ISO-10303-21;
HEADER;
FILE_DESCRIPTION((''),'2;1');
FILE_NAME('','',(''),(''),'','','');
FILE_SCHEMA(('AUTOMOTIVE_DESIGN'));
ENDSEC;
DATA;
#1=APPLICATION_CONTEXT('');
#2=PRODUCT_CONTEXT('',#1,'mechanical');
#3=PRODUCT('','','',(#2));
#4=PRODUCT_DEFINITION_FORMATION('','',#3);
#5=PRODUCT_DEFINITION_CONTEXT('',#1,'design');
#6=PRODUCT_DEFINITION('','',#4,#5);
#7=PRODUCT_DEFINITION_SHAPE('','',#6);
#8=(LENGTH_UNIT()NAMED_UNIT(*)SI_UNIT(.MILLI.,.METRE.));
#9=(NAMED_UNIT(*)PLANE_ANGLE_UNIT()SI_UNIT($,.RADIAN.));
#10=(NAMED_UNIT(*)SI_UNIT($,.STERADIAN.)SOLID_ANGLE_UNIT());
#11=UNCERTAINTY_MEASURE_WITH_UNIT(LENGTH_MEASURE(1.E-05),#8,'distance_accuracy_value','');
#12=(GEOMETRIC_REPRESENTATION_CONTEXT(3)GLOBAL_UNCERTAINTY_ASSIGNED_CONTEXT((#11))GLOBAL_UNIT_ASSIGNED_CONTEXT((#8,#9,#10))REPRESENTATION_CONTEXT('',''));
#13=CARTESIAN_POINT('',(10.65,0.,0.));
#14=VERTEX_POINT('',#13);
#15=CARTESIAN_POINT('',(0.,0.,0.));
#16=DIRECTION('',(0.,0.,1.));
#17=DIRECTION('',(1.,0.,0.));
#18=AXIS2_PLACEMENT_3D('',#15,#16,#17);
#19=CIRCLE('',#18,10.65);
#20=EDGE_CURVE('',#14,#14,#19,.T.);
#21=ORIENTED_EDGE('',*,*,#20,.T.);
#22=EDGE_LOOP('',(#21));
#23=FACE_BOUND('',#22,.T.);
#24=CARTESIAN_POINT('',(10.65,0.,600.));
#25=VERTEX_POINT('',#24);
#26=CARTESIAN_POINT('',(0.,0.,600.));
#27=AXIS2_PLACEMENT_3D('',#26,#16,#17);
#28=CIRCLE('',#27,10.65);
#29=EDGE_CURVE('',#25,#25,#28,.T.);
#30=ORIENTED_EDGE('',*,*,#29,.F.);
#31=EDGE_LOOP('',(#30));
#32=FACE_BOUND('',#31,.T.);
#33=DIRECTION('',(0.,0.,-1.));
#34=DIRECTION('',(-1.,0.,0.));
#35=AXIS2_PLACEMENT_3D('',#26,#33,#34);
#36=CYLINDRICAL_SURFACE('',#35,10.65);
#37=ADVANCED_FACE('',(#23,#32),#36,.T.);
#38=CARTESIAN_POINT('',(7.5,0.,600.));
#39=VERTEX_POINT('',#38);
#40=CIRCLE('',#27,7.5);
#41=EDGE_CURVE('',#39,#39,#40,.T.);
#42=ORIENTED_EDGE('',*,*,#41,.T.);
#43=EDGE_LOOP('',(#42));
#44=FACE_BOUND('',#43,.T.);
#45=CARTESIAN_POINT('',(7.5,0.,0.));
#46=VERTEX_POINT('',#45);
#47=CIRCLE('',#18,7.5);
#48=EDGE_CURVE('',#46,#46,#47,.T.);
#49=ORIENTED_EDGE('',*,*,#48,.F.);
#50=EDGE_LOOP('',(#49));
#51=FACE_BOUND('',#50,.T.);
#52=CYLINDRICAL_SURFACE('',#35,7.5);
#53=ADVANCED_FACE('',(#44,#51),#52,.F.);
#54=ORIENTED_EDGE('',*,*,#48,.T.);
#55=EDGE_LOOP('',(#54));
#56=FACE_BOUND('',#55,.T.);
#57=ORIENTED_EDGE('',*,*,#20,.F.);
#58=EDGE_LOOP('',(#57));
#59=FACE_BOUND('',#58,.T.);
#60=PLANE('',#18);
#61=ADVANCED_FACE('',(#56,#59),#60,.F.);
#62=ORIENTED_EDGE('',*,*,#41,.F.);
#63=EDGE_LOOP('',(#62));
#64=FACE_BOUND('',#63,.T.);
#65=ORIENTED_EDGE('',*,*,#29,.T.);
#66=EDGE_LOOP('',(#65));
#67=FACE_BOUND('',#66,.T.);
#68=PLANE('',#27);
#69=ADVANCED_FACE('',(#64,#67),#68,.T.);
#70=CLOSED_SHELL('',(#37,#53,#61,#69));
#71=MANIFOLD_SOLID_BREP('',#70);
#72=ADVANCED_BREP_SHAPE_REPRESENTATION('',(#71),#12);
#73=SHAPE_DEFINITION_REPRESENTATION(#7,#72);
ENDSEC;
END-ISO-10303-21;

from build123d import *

# Parameters (mm, degrees)
SKIZZE1_R               = 10.65
SKIZZE1_R_2             = 7.5
LINEAR_AUSTRAGEN1_DEPTH = 600


with BuildPart() as part:
    # Skizze1 → Linear austragen1 (new body)
    with BuildSketch(Plane.XY):
        Circle(SKIZZE1_R)
        Circle(SKIZZE1_R_2, mode=Mode.SUBTRACT)
    extrude(amount=LINEAR_AUSTRAGEN1_DEPTH)


solid = part.part
